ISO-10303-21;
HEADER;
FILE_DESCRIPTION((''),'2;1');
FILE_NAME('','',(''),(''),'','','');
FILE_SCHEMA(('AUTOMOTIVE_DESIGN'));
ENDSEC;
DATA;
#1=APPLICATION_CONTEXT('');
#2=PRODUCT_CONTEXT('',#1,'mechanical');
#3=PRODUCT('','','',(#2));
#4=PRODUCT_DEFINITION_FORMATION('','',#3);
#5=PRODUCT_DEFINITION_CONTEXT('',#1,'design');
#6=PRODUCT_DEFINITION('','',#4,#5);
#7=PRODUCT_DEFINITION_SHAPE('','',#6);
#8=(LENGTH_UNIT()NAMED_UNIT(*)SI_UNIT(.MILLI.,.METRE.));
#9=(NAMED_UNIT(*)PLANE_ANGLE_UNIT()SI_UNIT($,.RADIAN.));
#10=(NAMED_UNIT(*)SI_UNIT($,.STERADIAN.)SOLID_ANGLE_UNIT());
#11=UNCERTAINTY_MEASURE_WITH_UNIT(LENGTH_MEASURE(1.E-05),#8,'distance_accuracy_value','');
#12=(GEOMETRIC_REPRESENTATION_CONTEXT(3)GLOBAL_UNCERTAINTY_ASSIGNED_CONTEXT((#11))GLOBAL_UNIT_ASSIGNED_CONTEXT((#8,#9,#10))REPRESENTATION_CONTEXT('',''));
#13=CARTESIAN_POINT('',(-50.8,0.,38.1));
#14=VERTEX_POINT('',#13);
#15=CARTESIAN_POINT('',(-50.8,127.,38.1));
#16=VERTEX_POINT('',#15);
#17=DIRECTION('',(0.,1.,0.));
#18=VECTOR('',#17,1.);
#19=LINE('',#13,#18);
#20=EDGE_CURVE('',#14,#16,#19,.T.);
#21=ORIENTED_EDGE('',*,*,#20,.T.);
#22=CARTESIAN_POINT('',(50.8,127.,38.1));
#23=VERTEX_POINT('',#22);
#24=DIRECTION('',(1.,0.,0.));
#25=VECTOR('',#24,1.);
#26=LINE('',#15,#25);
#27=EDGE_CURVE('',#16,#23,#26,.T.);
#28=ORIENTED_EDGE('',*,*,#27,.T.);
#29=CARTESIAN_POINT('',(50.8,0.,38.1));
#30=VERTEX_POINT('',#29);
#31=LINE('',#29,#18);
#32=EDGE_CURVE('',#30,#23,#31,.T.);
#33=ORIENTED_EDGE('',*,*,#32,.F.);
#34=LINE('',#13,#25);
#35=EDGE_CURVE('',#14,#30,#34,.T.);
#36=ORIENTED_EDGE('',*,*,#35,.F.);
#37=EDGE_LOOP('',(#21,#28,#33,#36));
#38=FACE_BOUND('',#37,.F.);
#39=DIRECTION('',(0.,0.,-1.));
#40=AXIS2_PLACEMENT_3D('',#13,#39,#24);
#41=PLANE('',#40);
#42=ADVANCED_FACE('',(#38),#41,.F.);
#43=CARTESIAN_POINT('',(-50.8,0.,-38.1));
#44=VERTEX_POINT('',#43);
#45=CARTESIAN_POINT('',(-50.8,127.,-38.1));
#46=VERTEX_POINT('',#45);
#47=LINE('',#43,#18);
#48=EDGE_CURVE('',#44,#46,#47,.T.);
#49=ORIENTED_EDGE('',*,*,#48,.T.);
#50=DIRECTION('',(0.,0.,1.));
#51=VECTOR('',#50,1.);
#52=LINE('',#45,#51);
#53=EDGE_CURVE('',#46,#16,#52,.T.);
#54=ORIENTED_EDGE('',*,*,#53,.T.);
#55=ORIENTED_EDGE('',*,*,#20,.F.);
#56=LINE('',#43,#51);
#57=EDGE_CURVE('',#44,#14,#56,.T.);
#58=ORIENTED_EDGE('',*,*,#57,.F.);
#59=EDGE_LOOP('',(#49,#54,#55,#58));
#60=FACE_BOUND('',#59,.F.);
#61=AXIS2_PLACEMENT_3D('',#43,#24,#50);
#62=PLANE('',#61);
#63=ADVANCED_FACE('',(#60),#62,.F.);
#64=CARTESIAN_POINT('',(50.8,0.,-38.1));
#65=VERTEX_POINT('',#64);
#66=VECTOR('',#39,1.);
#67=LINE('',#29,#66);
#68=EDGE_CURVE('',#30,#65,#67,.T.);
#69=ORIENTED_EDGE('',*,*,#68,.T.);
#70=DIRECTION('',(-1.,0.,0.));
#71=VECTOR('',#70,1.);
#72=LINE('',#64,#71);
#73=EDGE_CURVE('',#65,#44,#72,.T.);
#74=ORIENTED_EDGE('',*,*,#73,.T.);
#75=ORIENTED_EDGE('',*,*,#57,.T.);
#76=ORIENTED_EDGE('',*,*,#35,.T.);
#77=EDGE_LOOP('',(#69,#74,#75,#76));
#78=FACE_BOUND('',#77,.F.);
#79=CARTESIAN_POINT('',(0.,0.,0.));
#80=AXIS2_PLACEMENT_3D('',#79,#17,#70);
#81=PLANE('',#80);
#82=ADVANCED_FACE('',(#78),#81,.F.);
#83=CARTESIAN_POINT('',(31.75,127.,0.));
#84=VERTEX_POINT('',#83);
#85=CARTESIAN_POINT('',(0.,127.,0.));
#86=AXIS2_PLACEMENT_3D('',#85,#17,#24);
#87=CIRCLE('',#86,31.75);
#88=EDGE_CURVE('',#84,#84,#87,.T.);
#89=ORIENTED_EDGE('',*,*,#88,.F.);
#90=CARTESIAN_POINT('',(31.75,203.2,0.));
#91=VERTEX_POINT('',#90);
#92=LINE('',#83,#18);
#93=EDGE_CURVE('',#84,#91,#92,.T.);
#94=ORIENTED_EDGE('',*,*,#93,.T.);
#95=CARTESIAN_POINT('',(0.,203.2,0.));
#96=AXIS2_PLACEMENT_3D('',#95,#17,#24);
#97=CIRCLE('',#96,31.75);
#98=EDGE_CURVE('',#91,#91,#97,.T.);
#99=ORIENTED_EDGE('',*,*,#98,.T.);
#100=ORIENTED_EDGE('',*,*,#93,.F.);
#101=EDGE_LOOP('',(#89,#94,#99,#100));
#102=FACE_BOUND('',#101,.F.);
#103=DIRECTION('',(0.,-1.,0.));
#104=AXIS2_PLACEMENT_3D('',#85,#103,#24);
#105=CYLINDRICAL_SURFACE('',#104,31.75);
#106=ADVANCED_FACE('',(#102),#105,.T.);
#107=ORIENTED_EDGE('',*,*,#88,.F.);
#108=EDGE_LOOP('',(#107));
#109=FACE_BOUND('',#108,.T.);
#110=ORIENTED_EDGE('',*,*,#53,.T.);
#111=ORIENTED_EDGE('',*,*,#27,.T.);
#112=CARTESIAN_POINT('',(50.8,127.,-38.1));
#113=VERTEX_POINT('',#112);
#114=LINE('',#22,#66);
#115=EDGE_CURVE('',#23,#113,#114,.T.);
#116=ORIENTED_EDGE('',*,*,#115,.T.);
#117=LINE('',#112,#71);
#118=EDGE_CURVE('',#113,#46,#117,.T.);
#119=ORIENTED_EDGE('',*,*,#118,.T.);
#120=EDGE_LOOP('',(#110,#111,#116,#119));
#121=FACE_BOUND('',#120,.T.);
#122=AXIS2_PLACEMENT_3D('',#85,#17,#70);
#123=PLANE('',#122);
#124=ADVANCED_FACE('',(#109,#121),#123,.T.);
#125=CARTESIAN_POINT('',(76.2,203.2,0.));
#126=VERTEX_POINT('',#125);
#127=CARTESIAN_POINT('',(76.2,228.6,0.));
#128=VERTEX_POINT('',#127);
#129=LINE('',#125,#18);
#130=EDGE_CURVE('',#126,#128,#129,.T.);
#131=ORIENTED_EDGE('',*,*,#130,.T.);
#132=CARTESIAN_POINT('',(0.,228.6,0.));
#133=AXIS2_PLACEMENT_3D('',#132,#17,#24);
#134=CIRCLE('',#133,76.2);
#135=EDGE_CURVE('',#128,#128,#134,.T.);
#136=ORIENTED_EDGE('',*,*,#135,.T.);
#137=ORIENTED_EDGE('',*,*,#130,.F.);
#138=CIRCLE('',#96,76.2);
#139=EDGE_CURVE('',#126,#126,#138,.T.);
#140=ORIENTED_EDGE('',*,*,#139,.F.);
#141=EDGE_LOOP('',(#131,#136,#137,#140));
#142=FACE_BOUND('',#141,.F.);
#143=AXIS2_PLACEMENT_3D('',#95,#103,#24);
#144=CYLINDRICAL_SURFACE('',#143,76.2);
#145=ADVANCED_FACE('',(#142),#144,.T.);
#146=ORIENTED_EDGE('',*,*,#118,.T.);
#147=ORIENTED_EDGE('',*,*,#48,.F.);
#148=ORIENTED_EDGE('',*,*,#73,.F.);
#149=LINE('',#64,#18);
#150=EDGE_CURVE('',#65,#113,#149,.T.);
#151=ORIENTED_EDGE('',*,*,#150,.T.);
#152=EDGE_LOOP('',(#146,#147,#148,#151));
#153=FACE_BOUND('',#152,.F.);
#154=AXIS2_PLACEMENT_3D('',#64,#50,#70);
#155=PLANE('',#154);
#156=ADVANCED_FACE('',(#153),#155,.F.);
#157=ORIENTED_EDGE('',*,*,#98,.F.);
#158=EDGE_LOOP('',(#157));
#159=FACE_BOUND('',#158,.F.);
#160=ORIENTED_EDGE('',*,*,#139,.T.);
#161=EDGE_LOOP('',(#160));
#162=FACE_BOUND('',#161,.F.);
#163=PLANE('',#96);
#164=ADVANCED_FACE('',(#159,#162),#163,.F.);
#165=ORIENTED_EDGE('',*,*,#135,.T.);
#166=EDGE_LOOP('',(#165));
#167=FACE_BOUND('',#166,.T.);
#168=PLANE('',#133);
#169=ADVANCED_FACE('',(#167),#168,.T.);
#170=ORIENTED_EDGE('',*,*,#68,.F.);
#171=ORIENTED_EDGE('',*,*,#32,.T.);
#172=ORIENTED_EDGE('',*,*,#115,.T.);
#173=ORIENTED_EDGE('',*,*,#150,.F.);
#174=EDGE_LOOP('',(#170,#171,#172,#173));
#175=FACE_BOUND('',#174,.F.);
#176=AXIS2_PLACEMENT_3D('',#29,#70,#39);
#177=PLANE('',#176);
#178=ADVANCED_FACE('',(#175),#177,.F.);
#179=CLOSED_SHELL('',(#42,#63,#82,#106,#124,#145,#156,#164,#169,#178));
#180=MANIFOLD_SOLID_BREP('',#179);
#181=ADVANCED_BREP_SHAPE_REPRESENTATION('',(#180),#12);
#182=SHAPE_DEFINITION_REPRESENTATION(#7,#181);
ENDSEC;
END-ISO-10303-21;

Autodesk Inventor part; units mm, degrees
ref_plane "YZ Plane" through (0, 0, 0) normal (1, 0, 0) x (0, 1, 0)
ref_plane "XZ Plane" through (0, 0, 0) normal (0, 1, 0) x (-1, 0, 0)
ref_plane "XY Plane" through (0, 0, 0) normal (0, 0, 1) x (1, 0, 0)
sketch "Sketch1" plane through (0, 0, 0) normal (0, 1, 0) x (-1, 0, 0)
  line L0 (-50.8, -38.1) -> (50.8, -38.1)
  line L1 (50.8, -38.1) -> (50.8, 38.1)
  line L2 (50.8, 38.1) -> (-50.8, 38.1)
  line L3 (-50.8, 38.1) -> (-50.8, -38.1)
  line L4 (-50.8, -38.1) -> (50.8, 38.1) construction
  line L5 (50.8, -38.1) -> (-50.8, 38.1) construction
  point P0 (0, 0)
  dimension "d0" = 101.6
  dimension "d1" = 76.2
extrude "Extrusion1" add sketch "Sketch1" along normal blind 127
sketch "Sketch2" plane through (0, 127, 0) normal (0, 1, 0) x (1, 0, 0)
  circle A0 centre (0, 0) radius 31.75
  dimension "d4" = 63.5
extrude "Extrusion2" add sketch "Sketch2" along normal blind 76.2
sketch "Sketch3" plane through (0, 203.2, 0) normal (0, 1, 0) x (1, 0, 0)
  circle A0 centre (0, 0) radius 76.2
  dimension "d7" = 152.4
extrude "Extrusion3" add sketch "Sketch3" along normal blind 25.4
properties part number "medidorPresion" material "Thermoplastic Resin"
